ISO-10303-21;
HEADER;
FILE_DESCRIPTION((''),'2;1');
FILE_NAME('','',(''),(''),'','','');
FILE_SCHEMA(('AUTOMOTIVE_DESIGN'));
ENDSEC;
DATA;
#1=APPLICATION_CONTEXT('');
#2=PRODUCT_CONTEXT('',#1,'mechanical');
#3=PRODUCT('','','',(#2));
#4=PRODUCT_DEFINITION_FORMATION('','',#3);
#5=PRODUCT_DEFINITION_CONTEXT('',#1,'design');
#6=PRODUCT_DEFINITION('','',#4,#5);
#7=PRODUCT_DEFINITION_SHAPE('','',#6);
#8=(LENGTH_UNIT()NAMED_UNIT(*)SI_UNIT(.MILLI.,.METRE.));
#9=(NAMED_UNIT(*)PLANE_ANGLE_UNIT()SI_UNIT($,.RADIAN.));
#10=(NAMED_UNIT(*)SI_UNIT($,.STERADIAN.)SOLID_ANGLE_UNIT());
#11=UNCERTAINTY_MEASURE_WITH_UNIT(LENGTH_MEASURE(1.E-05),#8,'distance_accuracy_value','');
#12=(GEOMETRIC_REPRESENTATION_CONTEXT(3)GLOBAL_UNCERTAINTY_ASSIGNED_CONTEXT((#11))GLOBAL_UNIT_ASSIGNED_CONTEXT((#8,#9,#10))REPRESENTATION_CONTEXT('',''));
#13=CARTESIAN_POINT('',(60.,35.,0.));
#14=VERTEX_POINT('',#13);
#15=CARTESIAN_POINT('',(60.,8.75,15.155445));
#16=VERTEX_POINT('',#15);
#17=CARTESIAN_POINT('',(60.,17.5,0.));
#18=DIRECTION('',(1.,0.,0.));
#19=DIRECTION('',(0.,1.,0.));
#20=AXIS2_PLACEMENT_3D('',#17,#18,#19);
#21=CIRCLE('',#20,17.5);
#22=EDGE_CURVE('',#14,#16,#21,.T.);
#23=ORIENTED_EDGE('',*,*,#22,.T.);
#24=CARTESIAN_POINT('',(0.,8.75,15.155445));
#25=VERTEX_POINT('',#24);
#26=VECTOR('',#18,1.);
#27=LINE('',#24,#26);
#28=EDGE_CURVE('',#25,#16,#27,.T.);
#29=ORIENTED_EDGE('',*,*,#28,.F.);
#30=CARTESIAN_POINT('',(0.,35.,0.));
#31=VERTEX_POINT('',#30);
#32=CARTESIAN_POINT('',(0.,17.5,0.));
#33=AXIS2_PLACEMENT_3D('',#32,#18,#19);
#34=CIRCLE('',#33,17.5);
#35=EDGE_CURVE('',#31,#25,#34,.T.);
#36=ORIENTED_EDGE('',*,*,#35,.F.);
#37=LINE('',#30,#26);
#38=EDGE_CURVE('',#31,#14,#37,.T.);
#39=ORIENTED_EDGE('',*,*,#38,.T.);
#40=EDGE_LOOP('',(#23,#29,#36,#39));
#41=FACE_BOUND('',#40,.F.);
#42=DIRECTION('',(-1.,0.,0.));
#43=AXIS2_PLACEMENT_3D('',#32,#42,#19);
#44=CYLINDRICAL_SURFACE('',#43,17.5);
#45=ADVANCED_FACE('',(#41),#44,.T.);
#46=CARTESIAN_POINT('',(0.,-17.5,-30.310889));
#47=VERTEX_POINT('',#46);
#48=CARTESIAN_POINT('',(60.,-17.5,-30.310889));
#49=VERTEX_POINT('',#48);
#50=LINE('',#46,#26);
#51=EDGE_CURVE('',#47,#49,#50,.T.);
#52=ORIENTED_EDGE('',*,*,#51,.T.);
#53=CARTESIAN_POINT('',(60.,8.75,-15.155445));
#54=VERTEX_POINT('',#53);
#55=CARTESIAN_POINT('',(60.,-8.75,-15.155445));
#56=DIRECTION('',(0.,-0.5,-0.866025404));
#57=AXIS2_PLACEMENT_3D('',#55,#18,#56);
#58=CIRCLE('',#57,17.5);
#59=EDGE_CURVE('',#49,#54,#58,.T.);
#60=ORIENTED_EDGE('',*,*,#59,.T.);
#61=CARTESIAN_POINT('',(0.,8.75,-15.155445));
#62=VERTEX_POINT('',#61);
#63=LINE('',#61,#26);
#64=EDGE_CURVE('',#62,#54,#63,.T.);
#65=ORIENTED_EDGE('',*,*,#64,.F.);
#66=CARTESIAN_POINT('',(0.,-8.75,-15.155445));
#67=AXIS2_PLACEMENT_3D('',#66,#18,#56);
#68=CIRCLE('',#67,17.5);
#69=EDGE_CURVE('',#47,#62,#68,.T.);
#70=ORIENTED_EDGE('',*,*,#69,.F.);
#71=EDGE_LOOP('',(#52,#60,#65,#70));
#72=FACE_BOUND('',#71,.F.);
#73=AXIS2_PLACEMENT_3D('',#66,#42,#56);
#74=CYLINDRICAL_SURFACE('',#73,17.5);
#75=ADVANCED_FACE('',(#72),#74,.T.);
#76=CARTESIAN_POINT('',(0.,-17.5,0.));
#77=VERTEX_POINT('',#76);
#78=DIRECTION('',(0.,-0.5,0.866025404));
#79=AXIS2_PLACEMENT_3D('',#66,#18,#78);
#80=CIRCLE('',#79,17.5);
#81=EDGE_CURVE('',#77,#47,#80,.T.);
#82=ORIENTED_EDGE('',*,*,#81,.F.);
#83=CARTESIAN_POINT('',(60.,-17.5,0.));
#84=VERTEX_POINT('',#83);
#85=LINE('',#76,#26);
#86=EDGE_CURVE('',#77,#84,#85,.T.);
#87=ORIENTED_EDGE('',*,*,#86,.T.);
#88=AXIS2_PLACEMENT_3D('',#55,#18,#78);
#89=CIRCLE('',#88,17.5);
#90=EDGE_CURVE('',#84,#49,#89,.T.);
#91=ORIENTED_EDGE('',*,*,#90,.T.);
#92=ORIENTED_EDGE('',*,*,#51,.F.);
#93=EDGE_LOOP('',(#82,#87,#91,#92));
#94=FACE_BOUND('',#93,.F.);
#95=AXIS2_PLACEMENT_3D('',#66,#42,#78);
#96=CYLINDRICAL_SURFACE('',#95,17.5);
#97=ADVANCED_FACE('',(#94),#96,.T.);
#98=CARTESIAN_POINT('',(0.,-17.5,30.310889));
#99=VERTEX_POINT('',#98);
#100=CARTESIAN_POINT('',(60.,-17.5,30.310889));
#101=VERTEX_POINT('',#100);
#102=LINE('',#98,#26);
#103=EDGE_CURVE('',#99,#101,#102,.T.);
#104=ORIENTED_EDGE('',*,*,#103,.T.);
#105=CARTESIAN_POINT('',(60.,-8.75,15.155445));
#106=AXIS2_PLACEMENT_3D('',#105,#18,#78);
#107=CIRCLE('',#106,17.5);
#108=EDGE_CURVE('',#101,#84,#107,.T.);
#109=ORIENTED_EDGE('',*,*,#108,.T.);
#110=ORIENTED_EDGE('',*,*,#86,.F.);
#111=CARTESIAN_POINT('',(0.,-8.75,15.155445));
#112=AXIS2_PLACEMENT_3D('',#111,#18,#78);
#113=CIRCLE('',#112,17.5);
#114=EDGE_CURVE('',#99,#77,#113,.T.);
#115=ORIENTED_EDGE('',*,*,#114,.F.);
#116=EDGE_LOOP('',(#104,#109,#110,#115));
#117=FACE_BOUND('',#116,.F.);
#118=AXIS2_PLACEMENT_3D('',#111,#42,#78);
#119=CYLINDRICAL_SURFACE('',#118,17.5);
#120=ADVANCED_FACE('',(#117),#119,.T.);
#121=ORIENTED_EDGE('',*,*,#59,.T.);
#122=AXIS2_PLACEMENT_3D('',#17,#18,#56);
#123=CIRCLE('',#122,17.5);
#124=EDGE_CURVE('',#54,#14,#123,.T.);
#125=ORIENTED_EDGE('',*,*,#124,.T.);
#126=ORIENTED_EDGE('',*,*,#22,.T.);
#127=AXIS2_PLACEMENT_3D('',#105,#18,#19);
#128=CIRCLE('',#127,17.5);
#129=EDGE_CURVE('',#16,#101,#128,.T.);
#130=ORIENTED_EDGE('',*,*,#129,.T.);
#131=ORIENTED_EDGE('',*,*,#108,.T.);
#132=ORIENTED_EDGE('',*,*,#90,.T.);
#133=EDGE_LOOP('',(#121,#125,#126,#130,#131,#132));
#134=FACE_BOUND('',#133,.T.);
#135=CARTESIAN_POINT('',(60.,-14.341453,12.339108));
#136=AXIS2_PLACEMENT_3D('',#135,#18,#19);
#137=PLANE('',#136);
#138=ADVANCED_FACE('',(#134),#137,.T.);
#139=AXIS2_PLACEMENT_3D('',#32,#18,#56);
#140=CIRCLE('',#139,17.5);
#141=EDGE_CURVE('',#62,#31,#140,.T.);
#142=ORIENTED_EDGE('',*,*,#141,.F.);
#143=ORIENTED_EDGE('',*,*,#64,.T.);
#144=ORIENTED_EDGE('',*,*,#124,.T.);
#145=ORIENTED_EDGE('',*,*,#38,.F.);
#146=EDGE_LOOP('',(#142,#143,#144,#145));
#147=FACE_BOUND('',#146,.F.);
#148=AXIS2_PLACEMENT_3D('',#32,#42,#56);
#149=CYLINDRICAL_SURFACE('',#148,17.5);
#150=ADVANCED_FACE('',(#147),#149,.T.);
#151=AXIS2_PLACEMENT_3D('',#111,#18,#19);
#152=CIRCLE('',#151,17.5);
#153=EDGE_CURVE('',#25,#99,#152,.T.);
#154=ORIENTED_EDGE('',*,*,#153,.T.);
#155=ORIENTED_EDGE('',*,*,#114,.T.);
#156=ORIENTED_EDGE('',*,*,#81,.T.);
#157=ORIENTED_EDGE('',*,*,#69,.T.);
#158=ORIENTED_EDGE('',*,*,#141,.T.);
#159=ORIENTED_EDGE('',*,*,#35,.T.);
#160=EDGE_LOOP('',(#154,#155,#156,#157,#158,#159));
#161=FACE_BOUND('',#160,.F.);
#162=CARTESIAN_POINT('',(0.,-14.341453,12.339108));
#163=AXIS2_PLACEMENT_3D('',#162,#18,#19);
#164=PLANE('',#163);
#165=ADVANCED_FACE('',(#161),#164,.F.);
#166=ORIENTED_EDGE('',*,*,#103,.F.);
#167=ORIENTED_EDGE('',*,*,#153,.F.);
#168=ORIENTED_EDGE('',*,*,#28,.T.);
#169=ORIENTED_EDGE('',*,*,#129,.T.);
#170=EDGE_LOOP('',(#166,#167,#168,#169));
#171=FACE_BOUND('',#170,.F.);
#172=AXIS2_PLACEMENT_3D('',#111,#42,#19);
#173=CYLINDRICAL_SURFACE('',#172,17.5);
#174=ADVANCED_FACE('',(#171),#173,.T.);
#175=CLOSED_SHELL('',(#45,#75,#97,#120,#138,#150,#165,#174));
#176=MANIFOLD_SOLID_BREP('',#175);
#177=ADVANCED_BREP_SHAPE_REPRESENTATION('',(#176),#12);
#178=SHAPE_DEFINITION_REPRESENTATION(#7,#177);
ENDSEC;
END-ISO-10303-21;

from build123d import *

# Parameters (mm, degrees)
F1_DEPTH = 60


with BuildPart() as f1:
    # F0 (on Right) → F1 (new body)
    with BuildSketch(Plane.YZ):
        with BuildLine():
            Line((0, 0), (-17.5, 30.3108891325))
            ThreePointArc((-17.5, 30.3108891325), (-26.25, 15.1554445662), (-17.5, 0))
            ThreePointArc((-17.5, 0), (-8.75, 2.3445554338), (0, 0))
        make_face()
        with BuildLine():
            Line((0, 0), (-17.5, -30.3108891325))
            ThreePointArc((-17.5, -30.3108891325), (0, -30.3108891325), (8.75, -15.1554445662))
            ThreePointArc((8.75, -15.1554445662), (2.3445554338, -8.75), (0, 0))
        make_face()
        with BuildLine():
            ThreePointArc((-17.5, 0), (-26.25, -15.1554445662), (-17.5, -30.3108891325))
            Line((-17.5, -30.3108891325), (0, 0))
            ThreePointArc((0, 0), (-8.75, -2.3445554338), (-17.5, 0))
        make_face()
        with BuildLine():
            Line((0, 0), (35, 0))
            ThreePointArc((35, 0), (26.25, 15.1554445662), (8.75, 15.1554445662))
            ThreePointArc((8.75, 15.1554445662), (6.4054445662, 6.4054445662), (0, 0))
        make_face()
        with BuildLine():
            ThreePointArc((8.75, -15.1554445662), (26.25, -15.1554445662), (35, 0))
            Line((35, 0), (0, 0))
            ThreePointArc((0, 0), (6.4054445662, -6.4054445662), (8.75, -15.1554445662))
        make_face()
        with BuildLine():
            ThreePointArc((8.75, 15.1554445662), (0, 30.3108891325), (-17.5, 30.3108891325))
            Line((-17.5, 30.3108891325), (0, 0))
            ThreePointArc((0, 0), (2.3445554338, 8.75), (8.75, 15.1554445662))
        make_face()
        with BuildLine():
            ThreePointArc((-17.5, 0), (-8.75, -2.3445554338), (0, 0))
            ThreePointArc((0, 0), (-8.75, 2.3445554338), (-17.5, 0))
        make_face()
        with BuildLine():
            ThreePointArc((8.75, -15.1554445662), (6.4054445662, -6.4054445662), (0, 0))
            ThreePointArc((0, 0), (2.3445554338, -8.75), (8.75, -15.1554445662))
        make_face()
        with BuildLine():
            ThreePointArc((8.75, 15.1554445662), (2.3445554338, 8.75), (0, 0))
            ThreePointArc((0, 0), (6.4054445662, 6.4054445662), (8.75, 15.1554445662))
        make_face()
    extrude(amount=F1_DEPTH)


solid = f1.part
